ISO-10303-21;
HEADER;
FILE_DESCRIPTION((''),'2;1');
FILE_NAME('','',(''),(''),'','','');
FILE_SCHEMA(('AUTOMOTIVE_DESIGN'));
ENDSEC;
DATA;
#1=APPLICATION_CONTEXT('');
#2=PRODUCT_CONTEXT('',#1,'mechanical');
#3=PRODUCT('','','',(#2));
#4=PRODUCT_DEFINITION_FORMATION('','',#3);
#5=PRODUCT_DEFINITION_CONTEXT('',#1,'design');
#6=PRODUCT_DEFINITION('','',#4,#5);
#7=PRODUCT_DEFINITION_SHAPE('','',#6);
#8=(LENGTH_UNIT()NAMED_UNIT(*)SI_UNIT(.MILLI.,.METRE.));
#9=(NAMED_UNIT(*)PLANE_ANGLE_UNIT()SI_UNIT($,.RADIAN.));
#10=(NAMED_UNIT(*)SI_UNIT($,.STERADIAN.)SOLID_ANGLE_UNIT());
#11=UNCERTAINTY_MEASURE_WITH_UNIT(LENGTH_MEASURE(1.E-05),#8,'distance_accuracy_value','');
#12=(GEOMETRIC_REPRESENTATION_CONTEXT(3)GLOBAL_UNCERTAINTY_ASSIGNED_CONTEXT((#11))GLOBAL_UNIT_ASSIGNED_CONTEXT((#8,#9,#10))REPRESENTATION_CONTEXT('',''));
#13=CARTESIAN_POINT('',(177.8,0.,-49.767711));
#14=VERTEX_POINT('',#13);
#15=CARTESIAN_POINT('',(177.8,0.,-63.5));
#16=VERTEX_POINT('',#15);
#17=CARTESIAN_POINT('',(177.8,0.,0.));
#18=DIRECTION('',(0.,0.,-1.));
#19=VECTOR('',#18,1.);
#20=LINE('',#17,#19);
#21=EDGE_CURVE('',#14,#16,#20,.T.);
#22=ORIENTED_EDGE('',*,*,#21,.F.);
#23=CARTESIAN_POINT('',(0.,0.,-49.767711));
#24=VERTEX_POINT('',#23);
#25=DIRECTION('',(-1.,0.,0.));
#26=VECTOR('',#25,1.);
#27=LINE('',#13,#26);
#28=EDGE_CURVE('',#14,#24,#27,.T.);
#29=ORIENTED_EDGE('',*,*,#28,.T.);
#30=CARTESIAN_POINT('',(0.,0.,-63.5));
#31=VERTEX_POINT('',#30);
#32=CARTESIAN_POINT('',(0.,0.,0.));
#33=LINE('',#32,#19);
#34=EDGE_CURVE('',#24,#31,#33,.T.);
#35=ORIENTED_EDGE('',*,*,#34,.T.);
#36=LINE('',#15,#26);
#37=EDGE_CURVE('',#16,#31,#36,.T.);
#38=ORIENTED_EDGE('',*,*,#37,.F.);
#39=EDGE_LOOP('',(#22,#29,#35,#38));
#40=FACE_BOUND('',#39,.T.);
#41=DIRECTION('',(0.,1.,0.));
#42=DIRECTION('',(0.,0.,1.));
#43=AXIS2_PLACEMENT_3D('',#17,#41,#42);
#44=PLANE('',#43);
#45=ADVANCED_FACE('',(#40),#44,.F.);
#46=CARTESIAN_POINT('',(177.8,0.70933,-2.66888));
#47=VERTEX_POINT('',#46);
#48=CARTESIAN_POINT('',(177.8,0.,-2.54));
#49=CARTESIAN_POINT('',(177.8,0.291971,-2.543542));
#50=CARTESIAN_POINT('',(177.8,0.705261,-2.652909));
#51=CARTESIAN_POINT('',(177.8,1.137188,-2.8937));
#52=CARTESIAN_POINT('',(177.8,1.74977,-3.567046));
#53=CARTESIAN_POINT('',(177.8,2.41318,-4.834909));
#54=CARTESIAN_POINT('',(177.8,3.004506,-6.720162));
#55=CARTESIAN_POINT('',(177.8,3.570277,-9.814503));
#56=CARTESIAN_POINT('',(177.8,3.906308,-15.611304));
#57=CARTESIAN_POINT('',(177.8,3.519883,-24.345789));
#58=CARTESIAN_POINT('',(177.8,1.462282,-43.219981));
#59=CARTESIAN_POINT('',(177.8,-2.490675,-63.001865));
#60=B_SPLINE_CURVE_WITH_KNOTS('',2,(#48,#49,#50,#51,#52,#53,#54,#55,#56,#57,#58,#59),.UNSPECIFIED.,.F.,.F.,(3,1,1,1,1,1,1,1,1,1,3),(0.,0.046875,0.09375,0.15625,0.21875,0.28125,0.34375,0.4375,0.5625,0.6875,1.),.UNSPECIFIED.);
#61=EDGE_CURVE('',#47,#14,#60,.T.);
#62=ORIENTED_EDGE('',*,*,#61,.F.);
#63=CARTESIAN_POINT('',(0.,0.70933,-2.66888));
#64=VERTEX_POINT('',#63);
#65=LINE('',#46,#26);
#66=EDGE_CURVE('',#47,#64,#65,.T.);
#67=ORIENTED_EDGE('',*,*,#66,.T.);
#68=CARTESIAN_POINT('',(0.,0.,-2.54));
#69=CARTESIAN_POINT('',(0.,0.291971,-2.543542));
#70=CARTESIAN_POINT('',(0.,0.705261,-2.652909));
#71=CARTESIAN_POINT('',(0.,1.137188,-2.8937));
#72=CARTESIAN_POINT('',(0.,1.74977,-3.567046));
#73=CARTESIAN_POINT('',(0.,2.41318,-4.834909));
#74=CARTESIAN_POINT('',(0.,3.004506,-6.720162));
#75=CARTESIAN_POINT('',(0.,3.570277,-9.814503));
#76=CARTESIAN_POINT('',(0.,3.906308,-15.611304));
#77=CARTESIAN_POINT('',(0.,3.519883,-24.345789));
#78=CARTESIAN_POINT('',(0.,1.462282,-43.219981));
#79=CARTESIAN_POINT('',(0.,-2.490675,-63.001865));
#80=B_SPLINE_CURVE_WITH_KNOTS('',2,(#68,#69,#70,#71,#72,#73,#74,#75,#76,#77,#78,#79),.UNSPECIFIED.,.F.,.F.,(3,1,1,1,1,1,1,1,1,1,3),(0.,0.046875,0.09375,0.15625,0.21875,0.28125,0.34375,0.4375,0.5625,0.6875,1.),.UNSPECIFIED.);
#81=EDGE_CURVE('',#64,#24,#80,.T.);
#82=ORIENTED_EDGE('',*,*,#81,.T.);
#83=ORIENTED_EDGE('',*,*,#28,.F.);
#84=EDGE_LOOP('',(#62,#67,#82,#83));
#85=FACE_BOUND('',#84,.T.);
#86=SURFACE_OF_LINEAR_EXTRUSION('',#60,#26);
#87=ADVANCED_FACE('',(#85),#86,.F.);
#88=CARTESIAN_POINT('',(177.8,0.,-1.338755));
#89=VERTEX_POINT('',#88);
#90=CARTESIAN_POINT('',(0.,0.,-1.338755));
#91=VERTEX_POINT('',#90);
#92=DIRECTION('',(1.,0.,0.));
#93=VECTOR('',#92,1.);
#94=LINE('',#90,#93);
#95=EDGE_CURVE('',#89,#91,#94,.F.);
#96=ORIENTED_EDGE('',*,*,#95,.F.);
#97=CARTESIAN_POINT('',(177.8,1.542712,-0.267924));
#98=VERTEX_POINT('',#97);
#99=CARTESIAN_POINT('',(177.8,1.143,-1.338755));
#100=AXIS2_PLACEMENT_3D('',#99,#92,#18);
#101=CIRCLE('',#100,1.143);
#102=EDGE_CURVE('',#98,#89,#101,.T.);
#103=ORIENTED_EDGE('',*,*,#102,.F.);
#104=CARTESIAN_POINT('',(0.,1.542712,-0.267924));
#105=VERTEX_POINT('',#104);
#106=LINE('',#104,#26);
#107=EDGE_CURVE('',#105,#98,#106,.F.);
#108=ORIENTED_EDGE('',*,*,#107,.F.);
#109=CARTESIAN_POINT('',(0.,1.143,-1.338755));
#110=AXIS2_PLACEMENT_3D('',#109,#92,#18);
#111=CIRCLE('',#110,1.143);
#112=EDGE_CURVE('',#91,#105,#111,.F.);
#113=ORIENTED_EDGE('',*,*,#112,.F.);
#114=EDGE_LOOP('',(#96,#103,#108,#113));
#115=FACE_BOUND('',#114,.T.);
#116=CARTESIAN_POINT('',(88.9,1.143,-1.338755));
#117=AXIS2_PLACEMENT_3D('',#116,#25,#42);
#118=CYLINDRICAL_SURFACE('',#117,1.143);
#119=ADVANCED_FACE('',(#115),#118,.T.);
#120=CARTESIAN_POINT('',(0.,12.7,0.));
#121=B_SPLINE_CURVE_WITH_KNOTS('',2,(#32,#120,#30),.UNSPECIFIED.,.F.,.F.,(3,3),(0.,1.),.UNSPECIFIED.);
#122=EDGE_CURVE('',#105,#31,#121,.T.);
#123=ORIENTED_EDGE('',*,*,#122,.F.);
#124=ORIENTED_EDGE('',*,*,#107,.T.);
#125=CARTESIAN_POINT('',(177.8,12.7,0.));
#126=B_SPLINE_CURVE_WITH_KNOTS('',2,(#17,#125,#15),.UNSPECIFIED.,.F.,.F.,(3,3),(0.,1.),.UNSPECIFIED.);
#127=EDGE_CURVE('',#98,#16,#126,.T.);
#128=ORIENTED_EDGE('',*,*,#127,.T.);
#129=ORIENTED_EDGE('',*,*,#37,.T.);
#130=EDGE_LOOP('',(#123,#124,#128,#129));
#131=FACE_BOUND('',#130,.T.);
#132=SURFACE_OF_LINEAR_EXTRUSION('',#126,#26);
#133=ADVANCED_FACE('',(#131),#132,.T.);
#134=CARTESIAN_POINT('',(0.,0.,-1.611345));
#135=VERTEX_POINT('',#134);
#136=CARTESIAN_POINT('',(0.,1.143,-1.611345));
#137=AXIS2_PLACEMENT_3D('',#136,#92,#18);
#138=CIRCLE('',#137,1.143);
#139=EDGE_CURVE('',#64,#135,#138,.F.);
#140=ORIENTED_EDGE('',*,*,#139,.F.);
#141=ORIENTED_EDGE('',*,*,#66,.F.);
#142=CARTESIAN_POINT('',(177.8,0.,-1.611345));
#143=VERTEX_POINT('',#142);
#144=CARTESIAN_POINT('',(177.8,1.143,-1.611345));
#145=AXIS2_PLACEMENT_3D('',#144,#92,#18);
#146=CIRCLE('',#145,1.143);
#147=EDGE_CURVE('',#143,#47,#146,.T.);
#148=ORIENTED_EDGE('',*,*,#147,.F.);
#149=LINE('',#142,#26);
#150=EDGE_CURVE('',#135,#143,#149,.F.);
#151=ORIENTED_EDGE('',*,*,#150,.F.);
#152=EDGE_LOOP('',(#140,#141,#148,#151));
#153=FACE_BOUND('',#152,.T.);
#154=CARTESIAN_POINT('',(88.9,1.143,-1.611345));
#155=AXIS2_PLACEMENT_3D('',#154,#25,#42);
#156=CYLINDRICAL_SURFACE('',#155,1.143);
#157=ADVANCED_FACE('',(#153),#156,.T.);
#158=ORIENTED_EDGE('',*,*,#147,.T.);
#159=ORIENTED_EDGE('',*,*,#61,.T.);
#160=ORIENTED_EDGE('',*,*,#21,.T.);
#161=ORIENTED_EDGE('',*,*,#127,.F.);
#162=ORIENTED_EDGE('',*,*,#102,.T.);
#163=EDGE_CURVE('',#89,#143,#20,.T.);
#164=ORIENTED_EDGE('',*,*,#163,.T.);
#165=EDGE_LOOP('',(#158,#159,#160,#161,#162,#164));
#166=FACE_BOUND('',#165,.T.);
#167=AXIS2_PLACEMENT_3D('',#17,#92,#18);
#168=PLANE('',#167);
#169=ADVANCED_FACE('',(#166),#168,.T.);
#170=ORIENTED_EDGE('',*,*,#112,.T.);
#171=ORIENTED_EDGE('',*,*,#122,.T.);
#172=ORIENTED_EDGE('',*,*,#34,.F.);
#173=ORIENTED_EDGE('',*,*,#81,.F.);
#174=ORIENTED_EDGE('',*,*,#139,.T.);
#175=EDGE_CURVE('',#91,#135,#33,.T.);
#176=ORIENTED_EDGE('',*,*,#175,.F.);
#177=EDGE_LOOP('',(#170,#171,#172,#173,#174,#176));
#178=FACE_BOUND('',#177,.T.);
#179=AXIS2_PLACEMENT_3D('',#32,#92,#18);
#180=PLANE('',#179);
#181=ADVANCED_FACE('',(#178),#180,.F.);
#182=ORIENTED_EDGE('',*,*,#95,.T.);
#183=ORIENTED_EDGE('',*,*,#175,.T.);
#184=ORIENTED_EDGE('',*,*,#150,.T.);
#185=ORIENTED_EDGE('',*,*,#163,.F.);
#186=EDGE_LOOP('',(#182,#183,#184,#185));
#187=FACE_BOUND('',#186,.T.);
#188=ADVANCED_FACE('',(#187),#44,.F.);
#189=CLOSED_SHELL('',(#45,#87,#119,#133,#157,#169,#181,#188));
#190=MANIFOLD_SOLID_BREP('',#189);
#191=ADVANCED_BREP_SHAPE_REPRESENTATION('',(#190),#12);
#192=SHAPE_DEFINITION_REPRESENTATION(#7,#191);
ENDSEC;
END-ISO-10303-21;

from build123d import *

# Parameters (mm, degrees)
BOSS_EXTRUDE1_DEPTH = 177.8
FILLET1_R           = 1.143


with BuildPart() as part:
    # Sketch1 → Boss-Extrude1 (new body)
    with BuildSketch(Plane(origin=(0, 0, 0), x_dir=(0, 0, -1), z_dir=(1, 0, 0))):
        with BuildLine():
            add(Edge.make_bspline(
                [(0, 0), (0, 12.7), (63.5, 0)],
                knots=[0, 0, 0, 1, 1, 1], degree=2))
            Line((0, 0), (2.54, 0))
            add(Edge.make_bspline(
                [(2.54, 0), (2.543542174, 0.291970761), (2.652908762, 0.705261199), (2.893700113, 1.137187569), (3.567045726, 1.749770153), (4.834908518, 2.413179532), (6.72016171, 3.004506298), (9.814502842, 3.570276806), (15.611303824, 3.906307508), (24.345788638, 3.519882535), (38.440550634, 1.983319347), (49.767711448, 0)],
                knots=[0, 0, 0, 0.046875, 0.09375, 0.15625, 0.21875, 0.28125, 0.34375, 0.4375, 0.5625, 0.6875, 0.889213761, 0.889213761, 0.889213761], degree=2))
            Line((49.767711448, 0), (63.5, 0))
        make_face()
    extrude(amount=BOSS_EXTRUDE1_DEPTH)

    # Fillet1
    fillet1_edges = [part.edges().sort_by_distance(p)[0] for p in [
        (88.9, 0, -2.54),
        (88.9, 0, 0),
    ]]
    fillet(fillet1_edges, radius=FILLET1_R)


solid = part.part
